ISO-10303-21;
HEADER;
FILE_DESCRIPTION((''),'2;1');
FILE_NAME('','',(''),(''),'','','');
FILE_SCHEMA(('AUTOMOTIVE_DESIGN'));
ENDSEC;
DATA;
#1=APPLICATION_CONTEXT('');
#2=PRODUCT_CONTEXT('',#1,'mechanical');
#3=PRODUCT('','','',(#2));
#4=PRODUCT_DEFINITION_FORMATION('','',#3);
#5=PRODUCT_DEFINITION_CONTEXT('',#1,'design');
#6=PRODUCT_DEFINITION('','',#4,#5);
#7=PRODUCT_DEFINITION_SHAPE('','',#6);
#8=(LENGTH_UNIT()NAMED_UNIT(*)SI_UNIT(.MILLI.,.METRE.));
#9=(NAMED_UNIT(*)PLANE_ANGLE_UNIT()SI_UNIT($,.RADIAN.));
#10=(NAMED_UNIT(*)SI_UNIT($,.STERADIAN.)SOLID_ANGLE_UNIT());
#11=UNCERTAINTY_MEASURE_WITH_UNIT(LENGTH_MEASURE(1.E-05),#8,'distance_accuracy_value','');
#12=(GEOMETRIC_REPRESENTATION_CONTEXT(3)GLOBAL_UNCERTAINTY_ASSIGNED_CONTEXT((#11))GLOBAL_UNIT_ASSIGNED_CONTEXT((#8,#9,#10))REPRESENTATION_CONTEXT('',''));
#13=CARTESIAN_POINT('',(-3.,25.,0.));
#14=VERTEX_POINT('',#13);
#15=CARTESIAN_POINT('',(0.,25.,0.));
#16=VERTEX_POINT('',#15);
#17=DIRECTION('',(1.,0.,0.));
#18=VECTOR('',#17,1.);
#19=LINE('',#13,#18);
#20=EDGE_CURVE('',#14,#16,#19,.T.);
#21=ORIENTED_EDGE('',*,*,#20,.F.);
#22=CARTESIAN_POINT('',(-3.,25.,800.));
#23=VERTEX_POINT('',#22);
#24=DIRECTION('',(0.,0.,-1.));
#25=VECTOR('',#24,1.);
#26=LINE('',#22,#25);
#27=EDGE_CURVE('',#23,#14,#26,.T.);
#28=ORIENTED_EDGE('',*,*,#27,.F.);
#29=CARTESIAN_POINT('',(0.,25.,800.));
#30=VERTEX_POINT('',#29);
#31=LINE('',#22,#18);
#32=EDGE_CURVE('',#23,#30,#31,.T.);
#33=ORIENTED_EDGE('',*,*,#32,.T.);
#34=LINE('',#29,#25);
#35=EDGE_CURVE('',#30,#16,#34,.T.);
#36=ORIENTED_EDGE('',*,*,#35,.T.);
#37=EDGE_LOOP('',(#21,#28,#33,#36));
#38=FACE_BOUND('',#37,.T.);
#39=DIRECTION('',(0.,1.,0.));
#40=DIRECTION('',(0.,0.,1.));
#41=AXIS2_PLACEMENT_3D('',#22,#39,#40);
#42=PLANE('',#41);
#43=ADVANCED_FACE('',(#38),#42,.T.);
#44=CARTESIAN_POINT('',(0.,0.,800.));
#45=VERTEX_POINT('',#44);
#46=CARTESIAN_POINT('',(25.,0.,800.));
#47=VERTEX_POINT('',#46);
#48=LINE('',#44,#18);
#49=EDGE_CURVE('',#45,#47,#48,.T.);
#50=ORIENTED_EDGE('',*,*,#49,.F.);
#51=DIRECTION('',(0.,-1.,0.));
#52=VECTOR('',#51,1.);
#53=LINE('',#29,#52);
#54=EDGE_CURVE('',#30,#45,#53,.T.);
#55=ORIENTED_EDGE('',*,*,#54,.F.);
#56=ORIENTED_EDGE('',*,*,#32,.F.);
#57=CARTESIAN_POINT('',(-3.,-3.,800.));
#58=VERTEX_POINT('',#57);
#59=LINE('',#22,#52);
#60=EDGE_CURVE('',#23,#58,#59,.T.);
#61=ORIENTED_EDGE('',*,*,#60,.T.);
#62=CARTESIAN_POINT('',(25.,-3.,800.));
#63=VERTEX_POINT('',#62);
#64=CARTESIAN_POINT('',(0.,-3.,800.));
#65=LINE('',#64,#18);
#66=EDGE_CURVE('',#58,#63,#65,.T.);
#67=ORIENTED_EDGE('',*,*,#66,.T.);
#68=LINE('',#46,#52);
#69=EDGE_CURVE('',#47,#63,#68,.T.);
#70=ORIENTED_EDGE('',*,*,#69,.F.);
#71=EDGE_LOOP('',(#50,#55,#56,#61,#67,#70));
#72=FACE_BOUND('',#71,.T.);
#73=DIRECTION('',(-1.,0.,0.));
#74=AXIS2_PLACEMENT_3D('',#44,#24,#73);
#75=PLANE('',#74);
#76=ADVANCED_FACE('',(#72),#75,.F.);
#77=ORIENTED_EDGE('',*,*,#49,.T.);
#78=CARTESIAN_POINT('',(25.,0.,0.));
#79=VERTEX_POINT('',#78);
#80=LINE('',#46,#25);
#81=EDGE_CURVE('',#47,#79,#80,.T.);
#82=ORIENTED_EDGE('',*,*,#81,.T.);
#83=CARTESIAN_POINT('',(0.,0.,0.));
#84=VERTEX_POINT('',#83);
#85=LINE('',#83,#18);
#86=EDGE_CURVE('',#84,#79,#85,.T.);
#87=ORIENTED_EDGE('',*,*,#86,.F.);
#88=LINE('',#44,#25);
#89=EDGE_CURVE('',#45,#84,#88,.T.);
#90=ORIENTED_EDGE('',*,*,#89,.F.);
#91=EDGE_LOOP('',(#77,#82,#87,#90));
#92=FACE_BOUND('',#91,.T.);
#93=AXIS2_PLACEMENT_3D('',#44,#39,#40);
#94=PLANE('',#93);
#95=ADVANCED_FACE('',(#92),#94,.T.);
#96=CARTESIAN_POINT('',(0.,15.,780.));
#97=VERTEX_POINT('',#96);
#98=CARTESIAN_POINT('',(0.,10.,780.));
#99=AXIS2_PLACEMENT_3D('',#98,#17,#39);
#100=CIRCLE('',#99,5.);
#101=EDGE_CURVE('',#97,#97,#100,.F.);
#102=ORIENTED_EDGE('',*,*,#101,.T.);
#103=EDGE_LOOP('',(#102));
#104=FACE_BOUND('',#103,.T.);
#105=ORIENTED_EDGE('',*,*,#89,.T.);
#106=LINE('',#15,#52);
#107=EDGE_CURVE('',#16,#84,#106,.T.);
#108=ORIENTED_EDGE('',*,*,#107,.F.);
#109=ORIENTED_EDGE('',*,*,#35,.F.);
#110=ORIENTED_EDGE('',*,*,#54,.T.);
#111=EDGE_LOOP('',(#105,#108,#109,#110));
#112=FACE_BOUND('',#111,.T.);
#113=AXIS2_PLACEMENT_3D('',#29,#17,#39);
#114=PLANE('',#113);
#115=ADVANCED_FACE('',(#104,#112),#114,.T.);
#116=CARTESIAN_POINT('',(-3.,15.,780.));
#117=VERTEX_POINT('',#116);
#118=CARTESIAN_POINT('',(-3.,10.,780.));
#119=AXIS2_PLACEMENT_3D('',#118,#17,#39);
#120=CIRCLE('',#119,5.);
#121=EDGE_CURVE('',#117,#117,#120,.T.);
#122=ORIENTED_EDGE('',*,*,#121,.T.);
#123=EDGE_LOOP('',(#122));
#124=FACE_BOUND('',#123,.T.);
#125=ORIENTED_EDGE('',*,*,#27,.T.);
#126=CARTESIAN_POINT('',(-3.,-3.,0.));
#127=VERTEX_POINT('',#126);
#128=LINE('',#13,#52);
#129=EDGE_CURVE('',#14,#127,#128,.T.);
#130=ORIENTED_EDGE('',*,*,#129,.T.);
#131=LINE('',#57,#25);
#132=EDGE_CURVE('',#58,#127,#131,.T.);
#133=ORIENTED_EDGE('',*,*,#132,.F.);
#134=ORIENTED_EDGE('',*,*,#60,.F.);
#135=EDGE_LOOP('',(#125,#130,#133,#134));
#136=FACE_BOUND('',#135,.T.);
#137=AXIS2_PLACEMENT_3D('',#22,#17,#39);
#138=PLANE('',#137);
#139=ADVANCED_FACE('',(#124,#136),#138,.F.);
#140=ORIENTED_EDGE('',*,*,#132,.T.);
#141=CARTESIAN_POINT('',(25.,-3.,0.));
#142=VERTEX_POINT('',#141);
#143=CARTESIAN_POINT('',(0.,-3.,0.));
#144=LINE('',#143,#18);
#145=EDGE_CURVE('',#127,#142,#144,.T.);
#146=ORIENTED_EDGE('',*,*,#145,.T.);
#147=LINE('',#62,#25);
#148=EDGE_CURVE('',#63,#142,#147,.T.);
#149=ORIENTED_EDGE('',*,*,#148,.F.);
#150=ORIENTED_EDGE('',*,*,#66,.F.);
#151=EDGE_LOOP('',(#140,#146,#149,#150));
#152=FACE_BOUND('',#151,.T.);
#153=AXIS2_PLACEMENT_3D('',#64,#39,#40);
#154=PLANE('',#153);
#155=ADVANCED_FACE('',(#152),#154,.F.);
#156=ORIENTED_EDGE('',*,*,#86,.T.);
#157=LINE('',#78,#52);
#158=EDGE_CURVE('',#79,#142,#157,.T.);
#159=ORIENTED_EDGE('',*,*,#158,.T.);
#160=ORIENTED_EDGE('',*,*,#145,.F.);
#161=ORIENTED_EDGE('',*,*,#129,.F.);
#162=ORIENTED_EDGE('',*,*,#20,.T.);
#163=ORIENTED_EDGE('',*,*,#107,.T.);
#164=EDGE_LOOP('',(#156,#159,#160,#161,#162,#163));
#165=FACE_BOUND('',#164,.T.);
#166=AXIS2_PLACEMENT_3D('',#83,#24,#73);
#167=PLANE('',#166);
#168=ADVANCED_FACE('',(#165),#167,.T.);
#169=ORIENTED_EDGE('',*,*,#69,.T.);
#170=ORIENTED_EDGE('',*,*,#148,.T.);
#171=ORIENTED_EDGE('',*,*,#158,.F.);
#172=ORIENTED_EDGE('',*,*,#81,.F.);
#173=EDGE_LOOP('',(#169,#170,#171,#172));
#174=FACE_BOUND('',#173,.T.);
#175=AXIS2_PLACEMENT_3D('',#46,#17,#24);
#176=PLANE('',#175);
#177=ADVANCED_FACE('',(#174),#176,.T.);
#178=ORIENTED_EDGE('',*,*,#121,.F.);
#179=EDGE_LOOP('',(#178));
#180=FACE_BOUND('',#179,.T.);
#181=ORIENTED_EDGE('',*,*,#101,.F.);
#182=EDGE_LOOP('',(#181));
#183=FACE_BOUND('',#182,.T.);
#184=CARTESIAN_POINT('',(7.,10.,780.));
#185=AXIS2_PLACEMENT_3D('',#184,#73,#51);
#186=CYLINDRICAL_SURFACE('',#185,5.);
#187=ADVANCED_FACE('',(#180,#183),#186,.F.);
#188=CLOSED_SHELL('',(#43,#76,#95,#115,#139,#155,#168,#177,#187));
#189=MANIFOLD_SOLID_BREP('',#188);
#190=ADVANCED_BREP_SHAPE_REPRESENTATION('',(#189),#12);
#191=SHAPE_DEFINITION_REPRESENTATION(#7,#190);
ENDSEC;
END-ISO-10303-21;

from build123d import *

# Parameters (mm, degrees)
EXTRUDE_1_DEPTH     = 800
SKETCH_2_R          = 5
CUT_EXTRUDE_3_DEPTH = 10


with BuildPart() as part:
    # Эскиз1 → Вытянуть-Тонкостенный1 (new body)
    with BuildSketch(Plane.XY):
        Polygon((0, 25), (0, 0), (25, 0), (25, -3), (-3, -3), (-3, 25), align=None)
    extrude(amount=EXTRUDE_1_DEPTH)

    # Эскиз2 → Вырез-Вытянуть3 (cut)
    with BuildSketch(Plane.YZ.offset(-3)):
        with Locations((10, 780)):
            Circle(SKETCH_2_R)
    extrude(amount=CUT_EXTRUDE_3_DEPTH, mode=Mode.SUBTRACT)


solid = part.part
